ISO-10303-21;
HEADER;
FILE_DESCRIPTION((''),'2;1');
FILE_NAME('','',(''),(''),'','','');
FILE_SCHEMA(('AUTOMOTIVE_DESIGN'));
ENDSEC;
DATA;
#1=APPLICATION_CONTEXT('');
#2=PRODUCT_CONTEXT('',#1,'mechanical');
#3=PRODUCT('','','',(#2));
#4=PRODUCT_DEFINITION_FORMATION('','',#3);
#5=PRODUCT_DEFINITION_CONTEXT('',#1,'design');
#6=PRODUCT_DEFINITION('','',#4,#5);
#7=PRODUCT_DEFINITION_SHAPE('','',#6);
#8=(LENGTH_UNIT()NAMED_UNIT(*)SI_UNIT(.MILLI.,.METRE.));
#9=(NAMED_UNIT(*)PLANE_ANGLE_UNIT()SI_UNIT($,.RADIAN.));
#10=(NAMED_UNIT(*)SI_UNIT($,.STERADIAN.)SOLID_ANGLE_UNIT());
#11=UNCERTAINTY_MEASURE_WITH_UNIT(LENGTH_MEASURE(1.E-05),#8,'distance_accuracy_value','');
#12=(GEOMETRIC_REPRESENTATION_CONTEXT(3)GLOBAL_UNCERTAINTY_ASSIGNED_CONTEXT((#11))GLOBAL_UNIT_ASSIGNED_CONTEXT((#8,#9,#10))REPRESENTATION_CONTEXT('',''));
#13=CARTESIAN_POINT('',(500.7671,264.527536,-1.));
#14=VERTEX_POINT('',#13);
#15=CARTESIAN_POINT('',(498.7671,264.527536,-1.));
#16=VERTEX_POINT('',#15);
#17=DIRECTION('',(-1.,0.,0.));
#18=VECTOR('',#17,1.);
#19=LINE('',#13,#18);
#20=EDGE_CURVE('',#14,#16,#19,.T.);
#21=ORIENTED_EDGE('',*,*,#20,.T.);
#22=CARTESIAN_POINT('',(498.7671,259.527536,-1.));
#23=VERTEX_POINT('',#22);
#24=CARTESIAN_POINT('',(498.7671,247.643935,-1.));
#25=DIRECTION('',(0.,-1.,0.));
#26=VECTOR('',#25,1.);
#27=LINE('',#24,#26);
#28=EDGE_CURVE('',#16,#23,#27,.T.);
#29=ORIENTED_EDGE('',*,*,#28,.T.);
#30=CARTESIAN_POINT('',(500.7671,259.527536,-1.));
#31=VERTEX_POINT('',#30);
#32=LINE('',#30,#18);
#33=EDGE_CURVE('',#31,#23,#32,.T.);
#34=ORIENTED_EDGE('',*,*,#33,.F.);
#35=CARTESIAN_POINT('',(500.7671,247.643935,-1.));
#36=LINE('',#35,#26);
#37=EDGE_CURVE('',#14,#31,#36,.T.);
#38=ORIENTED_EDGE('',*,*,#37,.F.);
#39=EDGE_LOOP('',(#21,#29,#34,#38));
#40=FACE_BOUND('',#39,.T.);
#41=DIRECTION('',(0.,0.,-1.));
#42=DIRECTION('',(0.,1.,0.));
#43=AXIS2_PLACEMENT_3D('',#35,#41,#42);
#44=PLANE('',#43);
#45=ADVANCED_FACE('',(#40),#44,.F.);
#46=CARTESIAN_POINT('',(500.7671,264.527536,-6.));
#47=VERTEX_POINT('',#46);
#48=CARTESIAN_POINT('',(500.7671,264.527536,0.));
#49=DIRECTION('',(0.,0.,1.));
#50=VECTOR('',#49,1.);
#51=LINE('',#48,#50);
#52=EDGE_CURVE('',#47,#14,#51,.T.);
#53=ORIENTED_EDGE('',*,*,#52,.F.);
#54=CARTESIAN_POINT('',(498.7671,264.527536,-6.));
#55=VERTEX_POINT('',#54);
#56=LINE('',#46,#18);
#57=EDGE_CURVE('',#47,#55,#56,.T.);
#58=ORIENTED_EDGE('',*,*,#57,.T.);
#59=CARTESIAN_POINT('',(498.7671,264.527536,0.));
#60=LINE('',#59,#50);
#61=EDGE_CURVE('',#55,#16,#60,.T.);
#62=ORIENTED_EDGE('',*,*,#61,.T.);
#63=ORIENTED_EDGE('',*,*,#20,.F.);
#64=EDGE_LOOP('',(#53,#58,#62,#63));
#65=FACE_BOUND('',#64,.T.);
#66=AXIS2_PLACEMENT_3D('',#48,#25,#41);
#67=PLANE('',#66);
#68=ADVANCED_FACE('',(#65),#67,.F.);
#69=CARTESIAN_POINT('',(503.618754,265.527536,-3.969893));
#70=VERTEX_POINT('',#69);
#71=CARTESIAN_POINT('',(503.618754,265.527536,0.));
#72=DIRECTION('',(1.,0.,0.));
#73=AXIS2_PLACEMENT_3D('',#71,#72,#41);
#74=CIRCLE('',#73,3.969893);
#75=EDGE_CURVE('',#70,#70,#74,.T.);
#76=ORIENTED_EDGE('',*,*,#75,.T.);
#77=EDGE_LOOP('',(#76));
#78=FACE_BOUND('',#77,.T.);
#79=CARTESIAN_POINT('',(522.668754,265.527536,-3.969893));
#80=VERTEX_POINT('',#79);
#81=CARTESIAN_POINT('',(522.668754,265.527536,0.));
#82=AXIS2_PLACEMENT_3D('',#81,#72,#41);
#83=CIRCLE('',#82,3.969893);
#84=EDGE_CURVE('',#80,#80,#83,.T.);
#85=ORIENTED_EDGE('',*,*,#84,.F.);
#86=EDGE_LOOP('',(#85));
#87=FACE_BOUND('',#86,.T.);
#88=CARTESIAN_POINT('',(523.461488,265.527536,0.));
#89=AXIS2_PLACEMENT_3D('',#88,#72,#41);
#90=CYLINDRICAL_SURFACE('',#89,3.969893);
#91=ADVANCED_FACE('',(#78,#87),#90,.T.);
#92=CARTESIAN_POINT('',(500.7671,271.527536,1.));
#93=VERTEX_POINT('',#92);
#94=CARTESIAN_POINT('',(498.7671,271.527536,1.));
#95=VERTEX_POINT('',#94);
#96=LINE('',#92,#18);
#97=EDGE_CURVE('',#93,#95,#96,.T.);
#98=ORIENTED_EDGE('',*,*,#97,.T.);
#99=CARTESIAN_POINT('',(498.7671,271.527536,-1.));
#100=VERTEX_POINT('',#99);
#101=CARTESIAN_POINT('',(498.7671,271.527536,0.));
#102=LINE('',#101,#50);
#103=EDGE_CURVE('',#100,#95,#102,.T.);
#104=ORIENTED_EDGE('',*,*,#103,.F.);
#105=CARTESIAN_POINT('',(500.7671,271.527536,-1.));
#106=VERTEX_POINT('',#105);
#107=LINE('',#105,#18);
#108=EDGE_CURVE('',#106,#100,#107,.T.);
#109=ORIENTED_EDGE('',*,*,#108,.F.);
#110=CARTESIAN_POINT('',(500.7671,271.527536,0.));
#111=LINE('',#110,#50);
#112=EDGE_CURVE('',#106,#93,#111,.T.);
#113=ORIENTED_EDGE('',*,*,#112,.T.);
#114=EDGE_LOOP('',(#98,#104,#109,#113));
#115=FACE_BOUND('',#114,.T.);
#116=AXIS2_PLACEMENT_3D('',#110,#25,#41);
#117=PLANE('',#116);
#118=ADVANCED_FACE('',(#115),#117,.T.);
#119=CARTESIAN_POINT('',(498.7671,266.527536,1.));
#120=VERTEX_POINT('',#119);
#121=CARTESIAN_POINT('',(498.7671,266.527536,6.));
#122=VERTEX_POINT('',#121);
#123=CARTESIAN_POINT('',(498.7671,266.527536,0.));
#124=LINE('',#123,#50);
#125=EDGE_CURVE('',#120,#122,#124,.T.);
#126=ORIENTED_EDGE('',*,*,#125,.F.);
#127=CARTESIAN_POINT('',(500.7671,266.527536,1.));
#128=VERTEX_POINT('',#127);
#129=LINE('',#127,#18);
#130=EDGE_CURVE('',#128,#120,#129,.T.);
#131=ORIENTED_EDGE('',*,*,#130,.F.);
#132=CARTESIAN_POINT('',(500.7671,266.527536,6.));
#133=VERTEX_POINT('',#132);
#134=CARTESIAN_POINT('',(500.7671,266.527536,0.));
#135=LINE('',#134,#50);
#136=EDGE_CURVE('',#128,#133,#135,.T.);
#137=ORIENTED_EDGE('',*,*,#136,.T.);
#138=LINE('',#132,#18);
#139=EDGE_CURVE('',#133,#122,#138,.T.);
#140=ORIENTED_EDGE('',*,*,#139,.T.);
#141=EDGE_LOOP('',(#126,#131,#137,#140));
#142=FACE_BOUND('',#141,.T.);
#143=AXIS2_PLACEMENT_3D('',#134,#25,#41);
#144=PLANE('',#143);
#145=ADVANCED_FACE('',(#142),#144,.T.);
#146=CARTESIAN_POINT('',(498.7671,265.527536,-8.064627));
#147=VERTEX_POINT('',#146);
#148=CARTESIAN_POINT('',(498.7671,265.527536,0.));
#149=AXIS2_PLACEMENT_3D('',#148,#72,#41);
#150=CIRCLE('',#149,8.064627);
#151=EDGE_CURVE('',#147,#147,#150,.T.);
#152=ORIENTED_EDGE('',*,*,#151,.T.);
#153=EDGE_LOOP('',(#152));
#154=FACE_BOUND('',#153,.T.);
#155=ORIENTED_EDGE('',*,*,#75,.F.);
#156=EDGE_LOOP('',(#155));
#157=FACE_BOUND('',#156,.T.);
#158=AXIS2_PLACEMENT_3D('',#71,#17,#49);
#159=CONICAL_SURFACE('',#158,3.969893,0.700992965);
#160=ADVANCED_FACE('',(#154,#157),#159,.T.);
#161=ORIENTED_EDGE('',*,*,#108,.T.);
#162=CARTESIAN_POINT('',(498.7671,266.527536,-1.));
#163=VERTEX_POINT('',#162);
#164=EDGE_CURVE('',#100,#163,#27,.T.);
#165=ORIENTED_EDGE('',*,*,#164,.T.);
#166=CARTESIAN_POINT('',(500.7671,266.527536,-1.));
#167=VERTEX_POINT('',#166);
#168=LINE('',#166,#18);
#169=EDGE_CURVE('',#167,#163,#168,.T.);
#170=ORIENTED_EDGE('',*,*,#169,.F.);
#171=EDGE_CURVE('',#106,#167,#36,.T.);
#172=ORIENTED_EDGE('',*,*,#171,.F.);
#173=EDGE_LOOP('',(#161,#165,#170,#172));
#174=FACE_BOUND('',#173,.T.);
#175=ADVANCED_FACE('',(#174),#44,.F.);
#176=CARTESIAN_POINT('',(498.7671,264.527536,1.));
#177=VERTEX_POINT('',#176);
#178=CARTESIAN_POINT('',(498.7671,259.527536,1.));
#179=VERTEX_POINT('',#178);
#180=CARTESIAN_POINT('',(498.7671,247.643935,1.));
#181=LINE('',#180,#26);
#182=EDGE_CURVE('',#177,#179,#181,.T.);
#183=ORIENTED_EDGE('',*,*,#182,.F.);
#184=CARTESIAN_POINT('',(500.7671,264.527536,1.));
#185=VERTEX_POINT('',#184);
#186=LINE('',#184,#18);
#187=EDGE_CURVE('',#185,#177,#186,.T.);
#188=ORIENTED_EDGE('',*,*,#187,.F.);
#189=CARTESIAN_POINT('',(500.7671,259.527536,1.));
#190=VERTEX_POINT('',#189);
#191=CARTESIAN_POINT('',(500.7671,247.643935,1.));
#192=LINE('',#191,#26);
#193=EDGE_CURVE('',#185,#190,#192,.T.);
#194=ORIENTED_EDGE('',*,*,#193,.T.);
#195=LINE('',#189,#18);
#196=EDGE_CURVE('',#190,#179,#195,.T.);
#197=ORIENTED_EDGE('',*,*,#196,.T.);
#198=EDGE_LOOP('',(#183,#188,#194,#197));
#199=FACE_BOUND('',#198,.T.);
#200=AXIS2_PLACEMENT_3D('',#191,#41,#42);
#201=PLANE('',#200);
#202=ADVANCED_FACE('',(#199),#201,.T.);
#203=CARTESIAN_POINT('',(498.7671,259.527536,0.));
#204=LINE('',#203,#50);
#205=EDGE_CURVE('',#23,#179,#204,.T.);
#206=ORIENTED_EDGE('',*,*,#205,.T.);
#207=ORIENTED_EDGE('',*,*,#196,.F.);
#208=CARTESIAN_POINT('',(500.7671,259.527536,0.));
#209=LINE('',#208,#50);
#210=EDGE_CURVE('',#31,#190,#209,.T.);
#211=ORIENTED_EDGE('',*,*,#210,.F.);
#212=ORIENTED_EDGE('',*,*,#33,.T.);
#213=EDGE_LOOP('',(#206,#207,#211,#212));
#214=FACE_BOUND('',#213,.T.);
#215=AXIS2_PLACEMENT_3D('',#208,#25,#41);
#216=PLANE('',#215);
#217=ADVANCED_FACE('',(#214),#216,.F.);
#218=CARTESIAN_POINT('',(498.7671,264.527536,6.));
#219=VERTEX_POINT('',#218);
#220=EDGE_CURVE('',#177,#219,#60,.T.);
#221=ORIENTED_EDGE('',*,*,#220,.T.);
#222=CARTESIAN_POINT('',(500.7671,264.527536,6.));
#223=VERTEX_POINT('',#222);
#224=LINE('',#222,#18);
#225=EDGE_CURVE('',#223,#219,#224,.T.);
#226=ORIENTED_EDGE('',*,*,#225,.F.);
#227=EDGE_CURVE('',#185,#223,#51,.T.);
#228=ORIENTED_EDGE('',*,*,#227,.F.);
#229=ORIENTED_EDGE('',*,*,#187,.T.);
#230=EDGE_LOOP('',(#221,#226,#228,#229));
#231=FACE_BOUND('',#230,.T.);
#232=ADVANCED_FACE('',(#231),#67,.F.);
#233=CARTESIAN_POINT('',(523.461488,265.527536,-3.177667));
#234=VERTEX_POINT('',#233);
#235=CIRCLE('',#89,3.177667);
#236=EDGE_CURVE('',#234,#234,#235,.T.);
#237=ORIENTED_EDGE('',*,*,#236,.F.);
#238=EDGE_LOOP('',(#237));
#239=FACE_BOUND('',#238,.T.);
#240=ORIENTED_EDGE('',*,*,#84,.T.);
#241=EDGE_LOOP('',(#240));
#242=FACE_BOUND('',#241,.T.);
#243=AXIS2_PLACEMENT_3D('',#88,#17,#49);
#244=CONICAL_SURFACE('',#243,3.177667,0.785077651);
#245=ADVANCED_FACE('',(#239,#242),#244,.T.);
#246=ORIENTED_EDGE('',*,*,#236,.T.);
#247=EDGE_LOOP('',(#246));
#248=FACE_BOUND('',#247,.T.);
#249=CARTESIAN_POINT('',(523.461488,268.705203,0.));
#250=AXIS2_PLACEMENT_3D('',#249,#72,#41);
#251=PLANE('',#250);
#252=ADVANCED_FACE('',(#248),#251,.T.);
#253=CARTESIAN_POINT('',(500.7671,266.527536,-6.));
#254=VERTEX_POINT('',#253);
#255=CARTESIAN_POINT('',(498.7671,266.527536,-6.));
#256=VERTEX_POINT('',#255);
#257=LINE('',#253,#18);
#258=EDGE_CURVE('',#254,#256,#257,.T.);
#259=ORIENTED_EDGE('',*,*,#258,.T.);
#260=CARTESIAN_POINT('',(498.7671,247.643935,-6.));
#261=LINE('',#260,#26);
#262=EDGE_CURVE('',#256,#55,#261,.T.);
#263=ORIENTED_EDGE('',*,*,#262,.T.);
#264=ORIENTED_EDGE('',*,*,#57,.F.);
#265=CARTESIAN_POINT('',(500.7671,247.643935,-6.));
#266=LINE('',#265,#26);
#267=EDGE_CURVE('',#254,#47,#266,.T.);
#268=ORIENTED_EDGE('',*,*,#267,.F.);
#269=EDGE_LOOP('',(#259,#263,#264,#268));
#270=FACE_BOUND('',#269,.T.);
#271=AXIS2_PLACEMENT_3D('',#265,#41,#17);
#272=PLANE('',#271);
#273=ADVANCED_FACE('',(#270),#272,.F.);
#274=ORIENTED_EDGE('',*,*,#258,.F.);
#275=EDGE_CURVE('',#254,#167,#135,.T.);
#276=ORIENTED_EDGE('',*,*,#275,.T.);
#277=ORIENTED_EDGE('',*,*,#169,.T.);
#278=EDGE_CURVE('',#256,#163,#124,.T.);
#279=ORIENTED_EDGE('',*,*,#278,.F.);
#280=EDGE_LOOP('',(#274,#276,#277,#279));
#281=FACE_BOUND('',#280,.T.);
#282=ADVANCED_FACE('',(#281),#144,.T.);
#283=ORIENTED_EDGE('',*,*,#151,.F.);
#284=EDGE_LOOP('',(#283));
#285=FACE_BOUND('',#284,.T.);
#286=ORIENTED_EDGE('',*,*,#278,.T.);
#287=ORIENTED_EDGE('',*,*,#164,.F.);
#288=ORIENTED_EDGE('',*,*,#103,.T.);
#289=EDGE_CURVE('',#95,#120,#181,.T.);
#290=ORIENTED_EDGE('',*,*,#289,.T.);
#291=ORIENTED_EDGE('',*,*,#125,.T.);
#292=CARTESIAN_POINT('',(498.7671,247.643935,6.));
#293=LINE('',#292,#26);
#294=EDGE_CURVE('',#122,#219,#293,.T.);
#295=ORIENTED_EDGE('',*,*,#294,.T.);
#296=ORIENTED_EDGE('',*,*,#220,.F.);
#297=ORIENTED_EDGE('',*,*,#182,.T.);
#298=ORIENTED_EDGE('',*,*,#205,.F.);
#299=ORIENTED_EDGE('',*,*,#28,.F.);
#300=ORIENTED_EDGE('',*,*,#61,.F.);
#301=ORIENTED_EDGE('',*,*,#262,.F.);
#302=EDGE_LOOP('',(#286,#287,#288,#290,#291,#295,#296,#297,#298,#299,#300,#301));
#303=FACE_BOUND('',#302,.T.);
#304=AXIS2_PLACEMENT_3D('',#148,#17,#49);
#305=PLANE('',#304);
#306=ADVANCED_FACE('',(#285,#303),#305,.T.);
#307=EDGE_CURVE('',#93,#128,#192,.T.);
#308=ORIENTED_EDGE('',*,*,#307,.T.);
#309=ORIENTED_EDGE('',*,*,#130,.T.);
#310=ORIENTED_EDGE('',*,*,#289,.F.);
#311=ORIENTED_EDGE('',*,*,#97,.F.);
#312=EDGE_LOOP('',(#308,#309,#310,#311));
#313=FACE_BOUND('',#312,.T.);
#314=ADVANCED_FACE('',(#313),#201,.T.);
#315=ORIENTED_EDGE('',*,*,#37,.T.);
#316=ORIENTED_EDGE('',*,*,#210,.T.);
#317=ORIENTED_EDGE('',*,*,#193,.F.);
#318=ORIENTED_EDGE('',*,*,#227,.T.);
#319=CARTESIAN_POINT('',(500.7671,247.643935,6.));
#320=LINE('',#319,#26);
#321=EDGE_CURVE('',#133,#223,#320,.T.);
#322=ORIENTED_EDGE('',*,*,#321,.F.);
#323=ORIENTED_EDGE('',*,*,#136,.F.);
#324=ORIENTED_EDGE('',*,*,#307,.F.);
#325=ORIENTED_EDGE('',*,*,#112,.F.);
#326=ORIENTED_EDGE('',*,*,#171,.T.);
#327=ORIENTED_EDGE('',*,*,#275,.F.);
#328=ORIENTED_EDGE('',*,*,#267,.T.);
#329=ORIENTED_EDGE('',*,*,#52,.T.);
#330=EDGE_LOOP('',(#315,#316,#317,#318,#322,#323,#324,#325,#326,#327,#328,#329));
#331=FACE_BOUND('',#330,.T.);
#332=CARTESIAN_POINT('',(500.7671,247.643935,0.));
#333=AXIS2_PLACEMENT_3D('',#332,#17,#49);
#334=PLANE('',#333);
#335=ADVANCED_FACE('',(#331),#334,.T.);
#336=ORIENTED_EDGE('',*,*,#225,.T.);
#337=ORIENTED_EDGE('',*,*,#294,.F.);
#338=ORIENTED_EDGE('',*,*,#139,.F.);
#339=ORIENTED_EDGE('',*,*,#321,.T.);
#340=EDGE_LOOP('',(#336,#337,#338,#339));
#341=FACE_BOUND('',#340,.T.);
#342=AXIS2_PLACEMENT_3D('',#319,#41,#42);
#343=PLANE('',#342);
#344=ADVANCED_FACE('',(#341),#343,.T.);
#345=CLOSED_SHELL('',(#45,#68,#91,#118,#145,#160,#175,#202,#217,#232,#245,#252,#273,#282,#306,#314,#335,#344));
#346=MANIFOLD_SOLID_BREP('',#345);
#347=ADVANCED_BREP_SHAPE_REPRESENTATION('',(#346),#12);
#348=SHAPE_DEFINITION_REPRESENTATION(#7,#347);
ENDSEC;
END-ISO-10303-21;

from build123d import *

# Parameters (mm, degrees)
CUT_EXTRUDE1_DEPTH = 2


with BuildPart() as part:
    # Sketch1 → Revolve1 (revolve)
    with BuildSketch(Plane.XY):
        Polygon((522.668754, 269.497429), (523.461488, 268.705203), (523.461488, 265.527536), (498.7671, 265.527536), (498.7671, 273.592163), (503.618754, 269.497429), align=None)
    revolve(axis=Axis((523.461488, 265.527536, 0), (-1, 0, 0)))

    # Sketch2 → Cut-Extrude1 (cut)
    with BuildSketch(Plane.ZY.offset(-498.7671)):
        Polygon((-1, 266.527536), (-6, 266.527536), (-6, 264.527536), (-1, 264.527536), (-1, 259.527536), (1, 259.527536), (1, 264.527536), (6, 264.527536), (6, 266.527536), (1, 266.527536), (1, 271.527536), (-1, 271.527536), align=None)
    extrude(amount=-CUT_EXTRUDE1_DEPTH, mode=Mode.SUBTRACT)


solid = part.part
